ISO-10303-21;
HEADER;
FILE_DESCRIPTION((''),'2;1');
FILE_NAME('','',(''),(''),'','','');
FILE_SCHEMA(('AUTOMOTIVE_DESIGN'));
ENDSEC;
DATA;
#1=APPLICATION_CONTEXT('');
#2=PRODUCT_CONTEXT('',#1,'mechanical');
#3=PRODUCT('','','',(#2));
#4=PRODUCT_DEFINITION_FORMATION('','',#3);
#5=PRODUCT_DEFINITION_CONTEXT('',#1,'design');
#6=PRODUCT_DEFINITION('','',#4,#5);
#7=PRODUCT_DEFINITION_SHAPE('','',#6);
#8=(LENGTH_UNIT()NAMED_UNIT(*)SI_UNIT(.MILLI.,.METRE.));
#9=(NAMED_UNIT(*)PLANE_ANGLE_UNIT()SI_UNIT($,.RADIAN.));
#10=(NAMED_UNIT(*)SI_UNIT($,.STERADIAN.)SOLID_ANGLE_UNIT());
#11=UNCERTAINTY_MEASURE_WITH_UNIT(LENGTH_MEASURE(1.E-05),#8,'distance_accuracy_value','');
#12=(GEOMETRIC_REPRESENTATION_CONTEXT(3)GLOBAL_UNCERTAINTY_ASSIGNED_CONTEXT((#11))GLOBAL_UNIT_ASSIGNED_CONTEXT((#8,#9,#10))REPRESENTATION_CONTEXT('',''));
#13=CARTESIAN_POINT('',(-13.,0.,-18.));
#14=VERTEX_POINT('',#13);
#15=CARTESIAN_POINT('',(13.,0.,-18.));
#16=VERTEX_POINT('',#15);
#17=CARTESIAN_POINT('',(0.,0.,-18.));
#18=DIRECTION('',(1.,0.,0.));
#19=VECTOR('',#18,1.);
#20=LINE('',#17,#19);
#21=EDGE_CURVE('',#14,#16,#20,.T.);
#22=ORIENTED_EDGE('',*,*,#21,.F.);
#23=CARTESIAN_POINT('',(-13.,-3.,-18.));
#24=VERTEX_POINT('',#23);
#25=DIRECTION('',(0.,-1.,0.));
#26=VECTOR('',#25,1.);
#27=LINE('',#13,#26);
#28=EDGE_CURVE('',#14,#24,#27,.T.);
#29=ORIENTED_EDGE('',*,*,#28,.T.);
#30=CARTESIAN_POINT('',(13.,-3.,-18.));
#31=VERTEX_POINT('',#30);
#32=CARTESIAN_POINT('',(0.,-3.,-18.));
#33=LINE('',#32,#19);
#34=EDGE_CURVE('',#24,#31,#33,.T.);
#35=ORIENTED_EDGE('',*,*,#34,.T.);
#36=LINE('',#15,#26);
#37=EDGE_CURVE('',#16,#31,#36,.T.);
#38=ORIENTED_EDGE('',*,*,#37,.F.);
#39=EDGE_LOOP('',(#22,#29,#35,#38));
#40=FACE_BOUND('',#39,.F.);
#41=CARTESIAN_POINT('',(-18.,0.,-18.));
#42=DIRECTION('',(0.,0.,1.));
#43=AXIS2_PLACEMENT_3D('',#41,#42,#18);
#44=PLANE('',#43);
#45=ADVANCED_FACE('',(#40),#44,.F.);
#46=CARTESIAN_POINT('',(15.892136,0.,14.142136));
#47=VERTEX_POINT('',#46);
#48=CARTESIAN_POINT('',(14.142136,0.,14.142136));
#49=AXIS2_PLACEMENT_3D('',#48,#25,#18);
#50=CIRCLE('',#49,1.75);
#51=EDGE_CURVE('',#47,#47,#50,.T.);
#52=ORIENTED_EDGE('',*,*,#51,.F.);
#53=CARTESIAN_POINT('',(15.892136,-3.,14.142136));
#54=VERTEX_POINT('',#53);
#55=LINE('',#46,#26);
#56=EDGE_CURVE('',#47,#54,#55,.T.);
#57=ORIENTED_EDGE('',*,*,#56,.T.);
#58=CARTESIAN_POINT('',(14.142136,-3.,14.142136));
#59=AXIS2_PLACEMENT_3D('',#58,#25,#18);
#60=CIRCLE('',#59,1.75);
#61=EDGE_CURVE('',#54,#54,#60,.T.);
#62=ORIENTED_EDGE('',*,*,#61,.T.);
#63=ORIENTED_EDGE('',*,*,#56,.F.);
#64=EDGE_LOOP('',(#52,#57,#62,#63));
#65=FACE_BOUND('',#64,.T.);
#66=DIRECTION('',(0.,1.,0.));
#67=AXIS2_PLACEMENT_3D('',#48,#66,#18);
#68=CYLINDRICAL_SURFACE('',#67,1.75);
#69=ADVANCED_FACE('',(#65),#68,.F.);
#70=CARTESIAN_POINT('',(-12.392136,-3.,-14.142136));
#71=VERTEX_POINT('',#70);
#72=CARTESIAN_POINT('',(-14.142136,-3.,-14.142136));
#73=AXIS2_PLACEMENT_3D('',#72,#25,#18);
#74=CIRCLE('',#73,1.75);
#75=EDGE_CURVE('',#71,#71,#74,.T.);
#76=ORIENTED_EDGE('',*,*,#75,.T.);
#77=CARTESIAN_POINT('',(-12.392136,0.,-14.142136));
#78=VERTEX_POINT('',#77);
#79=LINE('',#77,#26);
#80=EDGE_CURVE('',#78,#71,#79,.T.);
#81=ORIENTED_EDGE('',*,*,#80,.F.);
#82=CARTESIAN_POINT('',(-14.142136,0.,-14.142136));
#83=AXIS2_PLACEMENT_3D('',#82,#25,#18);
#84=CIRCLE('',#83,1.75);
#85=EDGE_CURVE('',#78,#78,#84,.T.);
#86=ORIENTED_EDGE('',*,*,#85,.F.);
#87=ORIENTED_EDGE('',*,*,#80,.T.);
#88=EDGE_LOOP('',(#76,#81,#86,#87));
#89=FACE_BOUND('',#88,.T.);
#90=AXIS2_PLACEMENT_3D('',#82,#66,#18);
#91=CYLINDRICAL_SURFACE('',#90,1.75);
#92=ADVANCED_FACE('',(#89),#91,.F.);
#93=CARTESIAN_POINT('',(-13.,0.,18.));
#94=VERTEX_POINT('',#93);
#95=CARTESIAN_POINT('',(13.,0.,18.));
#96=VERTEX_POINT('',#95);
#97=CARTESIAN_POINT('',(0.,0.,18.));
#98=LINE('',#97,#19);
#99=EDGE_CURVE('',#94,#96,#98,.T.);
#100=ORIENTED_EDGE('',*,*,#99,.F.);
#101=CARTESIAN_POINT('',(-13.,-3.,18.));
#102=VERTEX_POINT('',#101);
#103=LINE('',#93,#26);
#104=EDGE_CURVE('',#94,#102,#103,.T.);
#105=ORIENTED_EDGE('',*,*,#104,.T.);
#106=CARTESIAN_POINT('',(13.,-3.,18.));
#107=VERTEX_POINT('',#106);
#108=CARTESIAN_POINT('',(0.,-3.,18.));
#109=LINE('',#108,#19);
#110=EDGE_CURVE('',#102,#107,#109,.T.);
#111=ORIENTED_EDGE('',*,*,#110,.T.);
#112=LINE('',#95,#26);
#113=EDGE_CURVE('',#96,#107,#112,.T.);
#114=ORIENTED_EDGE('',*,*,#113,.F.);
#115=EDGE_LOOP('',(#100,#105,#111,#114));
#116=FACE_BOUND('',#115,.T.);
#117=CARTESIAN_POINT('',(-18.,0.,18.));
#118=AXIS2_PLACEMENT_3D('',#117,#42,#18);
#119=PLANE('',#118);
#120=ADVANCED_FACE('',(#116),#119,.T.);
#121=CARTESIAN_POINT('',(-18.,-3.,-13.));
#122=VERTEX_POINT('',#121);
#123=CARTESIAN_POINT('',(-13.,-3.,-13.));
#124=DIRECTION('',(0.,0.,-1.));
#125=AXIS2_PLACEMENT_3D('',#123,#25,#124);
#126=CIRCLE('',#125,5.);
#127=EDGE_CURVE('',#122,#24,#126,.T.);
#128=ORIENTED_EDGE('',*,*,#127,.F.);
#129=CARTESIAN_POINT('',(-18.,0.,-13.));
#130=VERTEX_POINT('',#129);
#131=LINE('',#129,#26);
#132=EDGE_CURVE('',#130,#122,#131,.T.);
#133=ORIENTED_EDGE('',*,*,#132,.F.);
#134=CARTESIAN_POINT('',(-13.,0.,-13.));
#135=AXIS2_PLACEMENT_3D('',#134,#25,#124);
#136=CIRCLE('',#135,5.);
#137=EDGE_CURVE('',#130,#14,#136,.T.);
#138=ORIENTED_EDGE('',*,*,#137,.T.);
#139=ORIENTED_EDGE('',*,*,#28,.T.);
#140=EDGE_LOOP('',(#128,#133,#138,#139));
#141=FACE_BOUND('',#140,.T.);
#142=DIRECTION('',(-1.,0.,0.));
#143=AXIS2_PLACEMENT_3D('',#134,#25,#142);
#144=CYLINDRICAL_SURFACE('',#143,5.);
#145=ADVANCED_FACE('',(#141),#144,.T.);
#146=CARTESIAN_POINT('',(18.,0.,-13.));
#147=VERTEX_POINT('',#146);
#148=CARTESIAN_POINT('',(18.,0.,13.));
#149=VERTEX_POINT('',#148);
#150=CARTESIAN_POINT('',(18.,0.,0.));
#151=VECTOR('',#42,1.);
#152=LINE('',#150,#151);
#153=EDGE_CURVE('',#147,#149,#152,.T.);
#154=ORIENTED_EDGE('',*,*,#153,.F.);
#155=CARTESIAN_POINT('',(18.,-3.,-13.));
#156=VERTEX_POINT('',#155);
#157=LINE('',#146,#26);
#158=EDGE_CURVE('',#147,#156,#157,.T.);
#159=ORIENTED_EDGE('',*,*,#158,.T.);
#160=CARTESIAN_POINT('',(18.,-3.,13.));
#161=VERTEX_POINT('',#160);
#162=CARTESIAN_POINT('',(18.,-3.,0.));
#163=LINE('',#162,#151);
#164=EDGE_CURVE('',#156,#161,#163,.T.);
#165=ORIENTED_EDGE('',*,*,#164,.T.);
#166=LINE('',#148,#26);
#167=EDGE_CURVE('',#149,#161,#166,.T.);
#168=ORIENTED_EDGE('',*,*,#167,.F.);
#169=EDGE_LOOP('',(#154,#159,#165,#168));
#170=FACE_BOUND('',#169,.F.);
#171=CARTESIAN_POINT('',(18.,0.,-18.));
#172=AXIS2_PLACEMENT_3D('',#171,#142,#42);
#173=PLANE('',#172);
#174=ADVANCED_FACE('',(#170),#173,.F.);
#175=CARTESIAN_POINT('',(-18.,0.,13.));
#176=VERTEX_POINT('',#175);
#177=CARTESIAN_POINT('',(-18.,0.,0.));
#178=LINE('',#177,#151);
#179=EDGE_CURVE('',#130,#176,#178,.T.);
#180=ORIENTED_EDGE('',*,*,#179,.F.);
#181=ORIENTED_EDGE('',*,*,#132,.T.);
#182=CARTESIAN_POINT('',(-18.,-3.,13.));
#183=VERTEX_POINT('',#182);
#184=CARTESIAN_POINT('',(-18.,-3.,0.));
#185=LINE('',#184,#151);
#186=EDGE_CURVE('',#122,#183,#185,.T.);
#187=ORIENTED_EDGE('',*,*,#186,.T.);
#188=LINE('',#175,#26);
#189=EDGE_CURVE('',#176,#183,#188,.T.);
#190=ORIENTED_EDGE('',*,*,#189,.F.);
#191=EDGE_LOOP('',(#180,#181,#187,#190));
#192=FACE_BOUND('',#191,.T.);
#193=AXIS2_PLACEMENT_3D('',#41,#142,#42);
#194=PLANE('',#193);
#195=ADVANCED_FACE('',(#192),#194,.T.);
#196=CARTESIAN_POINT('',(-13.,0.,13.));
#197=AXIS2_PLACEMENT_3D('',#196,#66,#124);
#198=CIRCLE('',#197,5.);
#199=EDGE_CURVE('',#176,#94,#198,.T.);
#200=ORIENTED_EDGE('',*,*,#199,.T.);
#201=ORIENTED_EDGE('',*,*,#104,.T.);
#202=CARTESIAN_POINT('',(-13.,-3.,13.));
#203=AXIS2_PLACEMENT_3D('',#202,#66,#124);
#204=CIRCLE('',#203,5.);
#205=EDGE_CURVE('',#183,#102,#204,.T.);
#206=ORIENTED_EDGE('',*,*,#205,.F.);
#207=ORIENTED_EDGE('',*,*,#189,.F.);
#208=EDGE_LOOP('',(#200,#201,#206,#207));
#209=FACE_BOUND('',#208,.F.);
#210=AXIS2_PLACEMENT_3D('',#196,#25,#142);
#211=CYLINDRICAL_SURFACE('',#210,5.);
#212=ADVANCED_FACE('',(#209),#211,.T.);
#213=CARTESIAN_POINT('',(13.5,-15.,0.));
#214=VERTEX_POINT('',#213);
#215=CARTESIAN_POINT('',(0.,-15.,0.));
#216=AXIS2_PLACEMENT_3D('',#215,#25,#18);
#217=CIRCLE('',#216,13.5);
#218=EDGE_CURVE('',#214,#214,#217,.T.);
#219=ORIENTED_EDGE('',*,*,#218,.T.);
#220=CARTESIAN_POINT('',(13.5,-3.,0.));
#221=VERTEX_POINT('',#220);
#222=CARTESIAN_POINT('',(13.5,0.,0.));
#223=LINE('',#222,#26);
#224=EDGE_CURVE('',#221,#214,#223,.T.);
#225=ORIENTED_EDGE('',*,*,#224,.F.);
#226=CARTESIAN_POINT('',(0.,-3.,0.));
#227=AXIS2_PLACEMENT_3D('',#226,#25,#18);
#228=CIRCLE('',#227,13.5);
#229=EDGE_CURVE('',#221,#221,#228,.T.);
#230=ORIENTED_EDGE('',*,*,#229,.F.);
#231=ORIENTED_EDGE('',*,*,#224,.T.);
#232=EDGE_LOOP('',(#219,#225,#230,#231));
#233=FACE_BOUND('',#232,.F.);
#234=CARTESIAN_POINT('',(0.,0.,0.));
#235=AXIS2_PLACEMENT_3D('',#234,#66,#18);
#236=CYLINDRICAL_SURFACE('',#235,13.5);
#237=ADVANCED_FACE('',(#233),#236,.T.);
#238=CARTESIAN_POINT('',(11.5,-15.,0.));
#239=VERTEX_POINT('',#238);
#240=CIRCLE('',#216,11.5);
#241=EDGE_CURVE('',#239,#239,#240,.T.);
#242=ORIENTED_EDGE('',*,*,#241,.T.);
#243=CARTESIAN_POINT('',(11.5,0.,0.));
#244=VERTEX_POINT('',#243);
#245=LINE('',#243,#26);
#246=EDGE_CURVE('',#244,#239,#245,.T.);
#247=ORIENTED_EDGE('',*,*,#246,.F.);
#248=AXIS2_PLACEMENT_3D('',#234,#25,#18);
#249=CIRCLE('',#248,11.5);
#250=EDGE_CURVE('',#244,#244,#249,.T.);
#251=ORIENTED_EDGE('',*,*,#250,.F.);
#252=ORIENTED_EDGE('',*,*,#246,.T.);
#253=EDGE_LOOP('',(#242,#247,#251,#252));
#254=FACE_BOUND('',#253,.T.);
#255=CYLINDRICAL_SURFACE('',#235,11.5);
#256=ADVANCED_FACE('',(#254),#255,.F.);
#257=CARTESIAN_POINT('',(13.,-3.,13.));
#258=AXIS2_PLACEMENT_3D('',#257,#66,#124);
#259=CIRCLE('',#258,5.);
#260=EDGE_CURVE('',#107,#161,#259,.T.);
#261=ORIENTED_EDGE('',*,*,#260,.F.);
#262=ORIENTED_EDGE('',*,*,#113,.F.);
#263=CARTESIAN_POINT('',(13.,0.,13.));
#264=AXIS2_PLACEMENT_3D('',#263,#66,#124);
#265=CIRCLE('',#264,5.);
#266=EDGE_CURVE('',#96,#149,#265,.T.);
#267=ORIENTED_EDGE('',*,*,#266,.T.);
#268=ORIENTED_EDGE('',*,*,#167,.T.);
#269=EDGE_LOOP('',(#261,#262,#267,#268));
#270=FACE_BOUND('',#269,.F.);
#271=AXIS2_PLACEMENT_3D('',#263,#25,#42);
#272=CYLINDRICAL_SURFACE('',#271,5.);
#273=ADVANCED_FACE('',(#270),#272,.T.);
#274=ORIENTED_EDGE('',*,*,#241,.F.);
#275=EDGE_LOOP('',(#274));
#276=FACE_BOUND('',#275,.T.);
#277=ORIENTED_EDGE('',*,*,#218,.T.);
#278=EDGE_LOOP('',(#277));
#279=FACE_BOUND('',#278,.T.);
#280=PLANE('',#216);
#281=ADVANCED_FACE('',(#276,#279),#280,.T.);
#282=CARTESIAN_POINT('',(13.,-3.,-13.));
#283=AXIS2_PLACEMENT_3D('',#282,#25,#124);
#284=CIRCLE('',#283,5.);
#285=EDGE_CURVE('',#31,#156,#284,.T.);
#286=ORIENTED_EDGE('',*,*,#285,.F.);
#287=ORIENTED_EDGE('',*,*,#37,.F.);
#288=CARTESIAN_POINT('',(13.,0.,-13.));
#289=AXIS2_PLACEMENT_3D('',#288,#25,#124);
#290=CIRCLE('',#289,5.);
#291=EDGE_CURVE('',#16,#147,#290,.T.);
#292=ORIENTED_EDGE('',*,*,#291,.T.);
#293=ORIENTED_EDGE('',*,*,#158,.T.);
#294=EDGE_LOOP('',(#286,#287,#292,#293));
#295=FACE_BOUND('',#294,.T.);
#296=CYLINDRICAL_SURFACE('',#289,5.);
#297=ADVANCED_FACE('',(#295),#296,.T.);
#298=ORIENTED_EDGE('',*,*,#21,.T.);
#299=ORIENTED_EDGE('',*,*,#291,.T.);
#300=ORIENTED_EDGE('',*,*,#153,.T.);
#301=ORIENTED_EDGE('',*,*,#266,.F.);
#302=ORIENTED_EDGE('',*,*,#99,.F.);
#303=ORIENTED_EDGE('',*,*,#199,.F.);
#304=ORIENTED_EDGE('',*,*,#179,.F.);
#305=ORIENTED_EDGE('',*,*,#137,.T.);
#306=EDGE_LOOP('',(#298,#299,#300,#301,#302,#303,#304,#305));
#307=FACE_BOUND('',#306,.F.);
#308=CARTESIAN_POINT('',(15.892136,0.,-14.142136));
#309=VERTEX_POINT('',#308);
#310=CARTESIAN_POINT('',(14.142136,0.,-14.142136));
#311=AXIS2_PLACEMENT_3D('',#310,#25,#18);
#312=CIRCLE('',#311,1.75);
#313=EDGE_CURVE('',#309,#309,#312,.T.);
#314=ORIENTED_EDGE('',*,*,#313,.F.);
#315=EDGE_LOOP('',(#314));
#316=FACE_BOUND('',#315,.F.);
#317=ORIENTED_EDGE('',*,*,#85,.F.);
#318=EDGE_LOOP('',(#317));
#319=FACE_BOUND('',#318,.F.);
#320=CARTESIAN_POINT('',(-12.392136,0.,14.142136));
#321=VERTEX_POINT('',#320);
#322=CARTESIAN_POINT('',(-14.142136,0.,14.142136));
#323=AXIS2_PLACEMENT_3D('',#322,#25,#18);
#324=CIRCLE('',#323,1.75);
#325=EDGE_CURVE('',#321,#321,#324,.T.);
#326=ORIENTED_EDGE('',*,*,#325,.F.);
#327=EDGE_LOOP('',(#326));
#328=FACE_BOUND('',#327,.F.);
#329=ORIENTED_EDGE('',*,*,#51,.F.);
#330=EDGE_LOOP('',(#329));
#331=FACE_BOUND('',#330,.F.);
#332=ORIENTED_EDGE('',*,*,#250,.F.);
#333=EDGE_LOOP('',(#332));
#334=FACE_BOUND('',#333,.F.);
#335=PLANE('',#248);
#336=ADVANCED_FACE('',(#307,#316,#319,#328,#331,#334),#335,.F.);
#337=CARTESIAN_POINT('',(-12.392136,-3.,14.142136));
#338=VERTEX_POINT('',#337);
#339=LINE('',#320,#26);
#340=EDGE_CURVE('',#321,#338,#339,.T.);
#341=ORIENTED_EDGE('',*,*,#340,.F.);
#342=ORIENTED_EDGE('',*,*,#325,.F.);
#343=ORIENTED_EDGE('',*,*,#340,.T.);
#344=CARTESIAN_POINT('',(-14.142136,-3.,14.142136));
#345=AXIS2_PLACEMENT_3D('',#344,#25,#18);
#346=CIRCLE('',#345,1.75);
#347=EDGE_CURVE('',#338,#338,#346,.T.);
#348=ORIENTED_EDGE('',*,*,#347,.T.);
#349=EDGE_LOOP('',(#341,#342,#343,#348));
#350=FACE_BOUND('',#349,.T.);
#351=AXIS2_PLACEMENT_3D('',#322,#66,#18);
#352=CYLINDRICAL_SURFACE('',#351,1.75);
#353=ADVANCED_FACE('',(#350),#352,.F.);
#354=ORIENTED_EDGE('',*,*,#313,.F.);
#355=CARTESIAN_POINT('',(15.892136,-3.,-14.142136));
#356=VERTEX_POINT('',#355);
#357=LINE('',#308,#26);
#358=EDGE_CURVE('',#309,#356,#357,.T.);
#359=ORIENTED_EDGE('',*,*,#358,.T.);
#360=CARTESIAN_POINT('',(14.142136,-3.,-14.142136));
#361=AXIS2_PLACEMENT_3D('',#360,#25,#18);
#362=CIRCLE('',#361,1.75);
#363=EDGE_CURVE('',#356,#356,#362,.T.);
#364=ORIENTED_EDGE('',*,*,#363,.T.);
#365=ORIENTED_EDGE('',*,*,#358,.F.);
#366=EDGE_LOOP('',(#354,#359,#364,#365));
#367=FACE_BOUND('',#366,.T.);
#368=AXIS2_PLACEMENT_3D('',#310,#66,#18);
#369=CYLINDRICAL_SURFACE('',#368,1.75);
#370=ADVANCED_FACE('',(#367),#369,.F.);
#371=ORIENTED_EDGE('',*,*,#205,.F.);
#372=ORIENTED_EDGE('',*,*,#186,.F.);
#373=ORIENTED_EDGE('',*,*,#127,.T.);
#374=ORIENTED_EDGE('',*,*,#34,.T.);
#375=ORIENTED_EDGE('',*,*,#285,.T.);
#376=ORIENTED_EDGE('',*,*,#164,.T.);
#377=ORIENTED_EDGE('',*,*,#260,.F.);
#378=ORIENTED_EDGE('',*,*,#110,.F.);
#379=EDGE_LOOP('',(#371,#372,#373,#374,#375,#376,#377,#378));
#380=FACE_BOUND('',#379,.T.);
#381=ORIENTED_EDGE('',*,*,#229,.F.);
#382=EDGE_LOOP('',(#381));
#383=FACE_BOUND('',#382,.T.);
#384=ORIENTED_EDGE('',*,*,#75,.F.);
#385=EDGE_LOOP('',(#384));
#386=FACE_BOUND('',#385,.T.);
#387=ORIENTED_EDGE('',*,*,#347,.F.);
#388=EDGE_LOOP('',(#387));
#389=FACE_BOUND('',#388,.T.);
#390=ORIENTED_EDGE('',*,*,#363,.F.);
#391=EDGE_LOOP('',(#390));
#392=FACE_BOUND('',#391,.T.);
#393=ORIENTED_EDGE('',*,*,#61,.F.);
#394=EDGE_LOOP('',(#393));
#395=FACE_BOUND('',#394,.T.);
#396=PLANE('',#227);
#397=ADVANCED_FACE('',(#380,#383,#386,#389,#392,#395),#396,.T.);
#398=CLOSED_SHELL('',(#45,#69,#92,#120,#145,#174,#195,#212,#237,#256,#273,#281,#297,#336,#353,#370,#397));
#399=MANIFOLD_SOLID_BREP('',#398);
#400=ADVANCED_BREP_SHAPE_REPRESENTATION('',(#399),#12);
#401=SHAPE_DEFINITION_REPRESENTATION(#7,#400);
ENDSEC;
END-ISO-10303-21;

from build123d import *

# Parameters (mm, degrees)
F0_R     = 13.5
F0_R_2   = 11.5
F1_DEPTH = 15
F0_W     = 36
F0_H     = 36
F0_R_3   = 1.75
F2_DEPTH = 3
F3_R     = 5


with BuildPart() as f1:
    # F0 (on Front) → F1 (new body)
    with BuildSketch(Plane.XZ):
        Circle(F0_R)
        Circle(F0_R_2, mode=Mode.SUBTRACT)
    extrude(amount=F1_DEPTH)

    # F0 (on Front) → F2 (join)
    with BuildSketch(Plane.XZ):
        Rectangle(F0_W, F0_H)
        with Locations((-14.142136, -14.142136)):
            Circle(F0_R_3, mode=Mode.SUBTRACT)
        with Locations((14.142136, -14.142136)):
            Circle(F0_R_3, mode=Mode.SUBTRACT)
        with Locations((-14.142136, 14.142136)):
            Circle(F0_R_3, mode=Mode.SUBTRACT)
        Circle(F0_R, mode=Mode.SUBTRACT)
        with Locations((14.142136, 14.142136)):
            Circle(F0_R_3, mode=Mode.SUBTRACT)
    extrude(amount=F2_DEPTH)

    # F3
    f3_edges = [f1.edges().sort_by_distance(p)[0] for p in [
        (18, -1.5, -18),
        (18, -1.5, 18),
        (-18, -1.5, 18),
        (-18, -1.5, -18),
    ]]
    fillet(f3_edges, radius=F3_R)


solid = f1.part
